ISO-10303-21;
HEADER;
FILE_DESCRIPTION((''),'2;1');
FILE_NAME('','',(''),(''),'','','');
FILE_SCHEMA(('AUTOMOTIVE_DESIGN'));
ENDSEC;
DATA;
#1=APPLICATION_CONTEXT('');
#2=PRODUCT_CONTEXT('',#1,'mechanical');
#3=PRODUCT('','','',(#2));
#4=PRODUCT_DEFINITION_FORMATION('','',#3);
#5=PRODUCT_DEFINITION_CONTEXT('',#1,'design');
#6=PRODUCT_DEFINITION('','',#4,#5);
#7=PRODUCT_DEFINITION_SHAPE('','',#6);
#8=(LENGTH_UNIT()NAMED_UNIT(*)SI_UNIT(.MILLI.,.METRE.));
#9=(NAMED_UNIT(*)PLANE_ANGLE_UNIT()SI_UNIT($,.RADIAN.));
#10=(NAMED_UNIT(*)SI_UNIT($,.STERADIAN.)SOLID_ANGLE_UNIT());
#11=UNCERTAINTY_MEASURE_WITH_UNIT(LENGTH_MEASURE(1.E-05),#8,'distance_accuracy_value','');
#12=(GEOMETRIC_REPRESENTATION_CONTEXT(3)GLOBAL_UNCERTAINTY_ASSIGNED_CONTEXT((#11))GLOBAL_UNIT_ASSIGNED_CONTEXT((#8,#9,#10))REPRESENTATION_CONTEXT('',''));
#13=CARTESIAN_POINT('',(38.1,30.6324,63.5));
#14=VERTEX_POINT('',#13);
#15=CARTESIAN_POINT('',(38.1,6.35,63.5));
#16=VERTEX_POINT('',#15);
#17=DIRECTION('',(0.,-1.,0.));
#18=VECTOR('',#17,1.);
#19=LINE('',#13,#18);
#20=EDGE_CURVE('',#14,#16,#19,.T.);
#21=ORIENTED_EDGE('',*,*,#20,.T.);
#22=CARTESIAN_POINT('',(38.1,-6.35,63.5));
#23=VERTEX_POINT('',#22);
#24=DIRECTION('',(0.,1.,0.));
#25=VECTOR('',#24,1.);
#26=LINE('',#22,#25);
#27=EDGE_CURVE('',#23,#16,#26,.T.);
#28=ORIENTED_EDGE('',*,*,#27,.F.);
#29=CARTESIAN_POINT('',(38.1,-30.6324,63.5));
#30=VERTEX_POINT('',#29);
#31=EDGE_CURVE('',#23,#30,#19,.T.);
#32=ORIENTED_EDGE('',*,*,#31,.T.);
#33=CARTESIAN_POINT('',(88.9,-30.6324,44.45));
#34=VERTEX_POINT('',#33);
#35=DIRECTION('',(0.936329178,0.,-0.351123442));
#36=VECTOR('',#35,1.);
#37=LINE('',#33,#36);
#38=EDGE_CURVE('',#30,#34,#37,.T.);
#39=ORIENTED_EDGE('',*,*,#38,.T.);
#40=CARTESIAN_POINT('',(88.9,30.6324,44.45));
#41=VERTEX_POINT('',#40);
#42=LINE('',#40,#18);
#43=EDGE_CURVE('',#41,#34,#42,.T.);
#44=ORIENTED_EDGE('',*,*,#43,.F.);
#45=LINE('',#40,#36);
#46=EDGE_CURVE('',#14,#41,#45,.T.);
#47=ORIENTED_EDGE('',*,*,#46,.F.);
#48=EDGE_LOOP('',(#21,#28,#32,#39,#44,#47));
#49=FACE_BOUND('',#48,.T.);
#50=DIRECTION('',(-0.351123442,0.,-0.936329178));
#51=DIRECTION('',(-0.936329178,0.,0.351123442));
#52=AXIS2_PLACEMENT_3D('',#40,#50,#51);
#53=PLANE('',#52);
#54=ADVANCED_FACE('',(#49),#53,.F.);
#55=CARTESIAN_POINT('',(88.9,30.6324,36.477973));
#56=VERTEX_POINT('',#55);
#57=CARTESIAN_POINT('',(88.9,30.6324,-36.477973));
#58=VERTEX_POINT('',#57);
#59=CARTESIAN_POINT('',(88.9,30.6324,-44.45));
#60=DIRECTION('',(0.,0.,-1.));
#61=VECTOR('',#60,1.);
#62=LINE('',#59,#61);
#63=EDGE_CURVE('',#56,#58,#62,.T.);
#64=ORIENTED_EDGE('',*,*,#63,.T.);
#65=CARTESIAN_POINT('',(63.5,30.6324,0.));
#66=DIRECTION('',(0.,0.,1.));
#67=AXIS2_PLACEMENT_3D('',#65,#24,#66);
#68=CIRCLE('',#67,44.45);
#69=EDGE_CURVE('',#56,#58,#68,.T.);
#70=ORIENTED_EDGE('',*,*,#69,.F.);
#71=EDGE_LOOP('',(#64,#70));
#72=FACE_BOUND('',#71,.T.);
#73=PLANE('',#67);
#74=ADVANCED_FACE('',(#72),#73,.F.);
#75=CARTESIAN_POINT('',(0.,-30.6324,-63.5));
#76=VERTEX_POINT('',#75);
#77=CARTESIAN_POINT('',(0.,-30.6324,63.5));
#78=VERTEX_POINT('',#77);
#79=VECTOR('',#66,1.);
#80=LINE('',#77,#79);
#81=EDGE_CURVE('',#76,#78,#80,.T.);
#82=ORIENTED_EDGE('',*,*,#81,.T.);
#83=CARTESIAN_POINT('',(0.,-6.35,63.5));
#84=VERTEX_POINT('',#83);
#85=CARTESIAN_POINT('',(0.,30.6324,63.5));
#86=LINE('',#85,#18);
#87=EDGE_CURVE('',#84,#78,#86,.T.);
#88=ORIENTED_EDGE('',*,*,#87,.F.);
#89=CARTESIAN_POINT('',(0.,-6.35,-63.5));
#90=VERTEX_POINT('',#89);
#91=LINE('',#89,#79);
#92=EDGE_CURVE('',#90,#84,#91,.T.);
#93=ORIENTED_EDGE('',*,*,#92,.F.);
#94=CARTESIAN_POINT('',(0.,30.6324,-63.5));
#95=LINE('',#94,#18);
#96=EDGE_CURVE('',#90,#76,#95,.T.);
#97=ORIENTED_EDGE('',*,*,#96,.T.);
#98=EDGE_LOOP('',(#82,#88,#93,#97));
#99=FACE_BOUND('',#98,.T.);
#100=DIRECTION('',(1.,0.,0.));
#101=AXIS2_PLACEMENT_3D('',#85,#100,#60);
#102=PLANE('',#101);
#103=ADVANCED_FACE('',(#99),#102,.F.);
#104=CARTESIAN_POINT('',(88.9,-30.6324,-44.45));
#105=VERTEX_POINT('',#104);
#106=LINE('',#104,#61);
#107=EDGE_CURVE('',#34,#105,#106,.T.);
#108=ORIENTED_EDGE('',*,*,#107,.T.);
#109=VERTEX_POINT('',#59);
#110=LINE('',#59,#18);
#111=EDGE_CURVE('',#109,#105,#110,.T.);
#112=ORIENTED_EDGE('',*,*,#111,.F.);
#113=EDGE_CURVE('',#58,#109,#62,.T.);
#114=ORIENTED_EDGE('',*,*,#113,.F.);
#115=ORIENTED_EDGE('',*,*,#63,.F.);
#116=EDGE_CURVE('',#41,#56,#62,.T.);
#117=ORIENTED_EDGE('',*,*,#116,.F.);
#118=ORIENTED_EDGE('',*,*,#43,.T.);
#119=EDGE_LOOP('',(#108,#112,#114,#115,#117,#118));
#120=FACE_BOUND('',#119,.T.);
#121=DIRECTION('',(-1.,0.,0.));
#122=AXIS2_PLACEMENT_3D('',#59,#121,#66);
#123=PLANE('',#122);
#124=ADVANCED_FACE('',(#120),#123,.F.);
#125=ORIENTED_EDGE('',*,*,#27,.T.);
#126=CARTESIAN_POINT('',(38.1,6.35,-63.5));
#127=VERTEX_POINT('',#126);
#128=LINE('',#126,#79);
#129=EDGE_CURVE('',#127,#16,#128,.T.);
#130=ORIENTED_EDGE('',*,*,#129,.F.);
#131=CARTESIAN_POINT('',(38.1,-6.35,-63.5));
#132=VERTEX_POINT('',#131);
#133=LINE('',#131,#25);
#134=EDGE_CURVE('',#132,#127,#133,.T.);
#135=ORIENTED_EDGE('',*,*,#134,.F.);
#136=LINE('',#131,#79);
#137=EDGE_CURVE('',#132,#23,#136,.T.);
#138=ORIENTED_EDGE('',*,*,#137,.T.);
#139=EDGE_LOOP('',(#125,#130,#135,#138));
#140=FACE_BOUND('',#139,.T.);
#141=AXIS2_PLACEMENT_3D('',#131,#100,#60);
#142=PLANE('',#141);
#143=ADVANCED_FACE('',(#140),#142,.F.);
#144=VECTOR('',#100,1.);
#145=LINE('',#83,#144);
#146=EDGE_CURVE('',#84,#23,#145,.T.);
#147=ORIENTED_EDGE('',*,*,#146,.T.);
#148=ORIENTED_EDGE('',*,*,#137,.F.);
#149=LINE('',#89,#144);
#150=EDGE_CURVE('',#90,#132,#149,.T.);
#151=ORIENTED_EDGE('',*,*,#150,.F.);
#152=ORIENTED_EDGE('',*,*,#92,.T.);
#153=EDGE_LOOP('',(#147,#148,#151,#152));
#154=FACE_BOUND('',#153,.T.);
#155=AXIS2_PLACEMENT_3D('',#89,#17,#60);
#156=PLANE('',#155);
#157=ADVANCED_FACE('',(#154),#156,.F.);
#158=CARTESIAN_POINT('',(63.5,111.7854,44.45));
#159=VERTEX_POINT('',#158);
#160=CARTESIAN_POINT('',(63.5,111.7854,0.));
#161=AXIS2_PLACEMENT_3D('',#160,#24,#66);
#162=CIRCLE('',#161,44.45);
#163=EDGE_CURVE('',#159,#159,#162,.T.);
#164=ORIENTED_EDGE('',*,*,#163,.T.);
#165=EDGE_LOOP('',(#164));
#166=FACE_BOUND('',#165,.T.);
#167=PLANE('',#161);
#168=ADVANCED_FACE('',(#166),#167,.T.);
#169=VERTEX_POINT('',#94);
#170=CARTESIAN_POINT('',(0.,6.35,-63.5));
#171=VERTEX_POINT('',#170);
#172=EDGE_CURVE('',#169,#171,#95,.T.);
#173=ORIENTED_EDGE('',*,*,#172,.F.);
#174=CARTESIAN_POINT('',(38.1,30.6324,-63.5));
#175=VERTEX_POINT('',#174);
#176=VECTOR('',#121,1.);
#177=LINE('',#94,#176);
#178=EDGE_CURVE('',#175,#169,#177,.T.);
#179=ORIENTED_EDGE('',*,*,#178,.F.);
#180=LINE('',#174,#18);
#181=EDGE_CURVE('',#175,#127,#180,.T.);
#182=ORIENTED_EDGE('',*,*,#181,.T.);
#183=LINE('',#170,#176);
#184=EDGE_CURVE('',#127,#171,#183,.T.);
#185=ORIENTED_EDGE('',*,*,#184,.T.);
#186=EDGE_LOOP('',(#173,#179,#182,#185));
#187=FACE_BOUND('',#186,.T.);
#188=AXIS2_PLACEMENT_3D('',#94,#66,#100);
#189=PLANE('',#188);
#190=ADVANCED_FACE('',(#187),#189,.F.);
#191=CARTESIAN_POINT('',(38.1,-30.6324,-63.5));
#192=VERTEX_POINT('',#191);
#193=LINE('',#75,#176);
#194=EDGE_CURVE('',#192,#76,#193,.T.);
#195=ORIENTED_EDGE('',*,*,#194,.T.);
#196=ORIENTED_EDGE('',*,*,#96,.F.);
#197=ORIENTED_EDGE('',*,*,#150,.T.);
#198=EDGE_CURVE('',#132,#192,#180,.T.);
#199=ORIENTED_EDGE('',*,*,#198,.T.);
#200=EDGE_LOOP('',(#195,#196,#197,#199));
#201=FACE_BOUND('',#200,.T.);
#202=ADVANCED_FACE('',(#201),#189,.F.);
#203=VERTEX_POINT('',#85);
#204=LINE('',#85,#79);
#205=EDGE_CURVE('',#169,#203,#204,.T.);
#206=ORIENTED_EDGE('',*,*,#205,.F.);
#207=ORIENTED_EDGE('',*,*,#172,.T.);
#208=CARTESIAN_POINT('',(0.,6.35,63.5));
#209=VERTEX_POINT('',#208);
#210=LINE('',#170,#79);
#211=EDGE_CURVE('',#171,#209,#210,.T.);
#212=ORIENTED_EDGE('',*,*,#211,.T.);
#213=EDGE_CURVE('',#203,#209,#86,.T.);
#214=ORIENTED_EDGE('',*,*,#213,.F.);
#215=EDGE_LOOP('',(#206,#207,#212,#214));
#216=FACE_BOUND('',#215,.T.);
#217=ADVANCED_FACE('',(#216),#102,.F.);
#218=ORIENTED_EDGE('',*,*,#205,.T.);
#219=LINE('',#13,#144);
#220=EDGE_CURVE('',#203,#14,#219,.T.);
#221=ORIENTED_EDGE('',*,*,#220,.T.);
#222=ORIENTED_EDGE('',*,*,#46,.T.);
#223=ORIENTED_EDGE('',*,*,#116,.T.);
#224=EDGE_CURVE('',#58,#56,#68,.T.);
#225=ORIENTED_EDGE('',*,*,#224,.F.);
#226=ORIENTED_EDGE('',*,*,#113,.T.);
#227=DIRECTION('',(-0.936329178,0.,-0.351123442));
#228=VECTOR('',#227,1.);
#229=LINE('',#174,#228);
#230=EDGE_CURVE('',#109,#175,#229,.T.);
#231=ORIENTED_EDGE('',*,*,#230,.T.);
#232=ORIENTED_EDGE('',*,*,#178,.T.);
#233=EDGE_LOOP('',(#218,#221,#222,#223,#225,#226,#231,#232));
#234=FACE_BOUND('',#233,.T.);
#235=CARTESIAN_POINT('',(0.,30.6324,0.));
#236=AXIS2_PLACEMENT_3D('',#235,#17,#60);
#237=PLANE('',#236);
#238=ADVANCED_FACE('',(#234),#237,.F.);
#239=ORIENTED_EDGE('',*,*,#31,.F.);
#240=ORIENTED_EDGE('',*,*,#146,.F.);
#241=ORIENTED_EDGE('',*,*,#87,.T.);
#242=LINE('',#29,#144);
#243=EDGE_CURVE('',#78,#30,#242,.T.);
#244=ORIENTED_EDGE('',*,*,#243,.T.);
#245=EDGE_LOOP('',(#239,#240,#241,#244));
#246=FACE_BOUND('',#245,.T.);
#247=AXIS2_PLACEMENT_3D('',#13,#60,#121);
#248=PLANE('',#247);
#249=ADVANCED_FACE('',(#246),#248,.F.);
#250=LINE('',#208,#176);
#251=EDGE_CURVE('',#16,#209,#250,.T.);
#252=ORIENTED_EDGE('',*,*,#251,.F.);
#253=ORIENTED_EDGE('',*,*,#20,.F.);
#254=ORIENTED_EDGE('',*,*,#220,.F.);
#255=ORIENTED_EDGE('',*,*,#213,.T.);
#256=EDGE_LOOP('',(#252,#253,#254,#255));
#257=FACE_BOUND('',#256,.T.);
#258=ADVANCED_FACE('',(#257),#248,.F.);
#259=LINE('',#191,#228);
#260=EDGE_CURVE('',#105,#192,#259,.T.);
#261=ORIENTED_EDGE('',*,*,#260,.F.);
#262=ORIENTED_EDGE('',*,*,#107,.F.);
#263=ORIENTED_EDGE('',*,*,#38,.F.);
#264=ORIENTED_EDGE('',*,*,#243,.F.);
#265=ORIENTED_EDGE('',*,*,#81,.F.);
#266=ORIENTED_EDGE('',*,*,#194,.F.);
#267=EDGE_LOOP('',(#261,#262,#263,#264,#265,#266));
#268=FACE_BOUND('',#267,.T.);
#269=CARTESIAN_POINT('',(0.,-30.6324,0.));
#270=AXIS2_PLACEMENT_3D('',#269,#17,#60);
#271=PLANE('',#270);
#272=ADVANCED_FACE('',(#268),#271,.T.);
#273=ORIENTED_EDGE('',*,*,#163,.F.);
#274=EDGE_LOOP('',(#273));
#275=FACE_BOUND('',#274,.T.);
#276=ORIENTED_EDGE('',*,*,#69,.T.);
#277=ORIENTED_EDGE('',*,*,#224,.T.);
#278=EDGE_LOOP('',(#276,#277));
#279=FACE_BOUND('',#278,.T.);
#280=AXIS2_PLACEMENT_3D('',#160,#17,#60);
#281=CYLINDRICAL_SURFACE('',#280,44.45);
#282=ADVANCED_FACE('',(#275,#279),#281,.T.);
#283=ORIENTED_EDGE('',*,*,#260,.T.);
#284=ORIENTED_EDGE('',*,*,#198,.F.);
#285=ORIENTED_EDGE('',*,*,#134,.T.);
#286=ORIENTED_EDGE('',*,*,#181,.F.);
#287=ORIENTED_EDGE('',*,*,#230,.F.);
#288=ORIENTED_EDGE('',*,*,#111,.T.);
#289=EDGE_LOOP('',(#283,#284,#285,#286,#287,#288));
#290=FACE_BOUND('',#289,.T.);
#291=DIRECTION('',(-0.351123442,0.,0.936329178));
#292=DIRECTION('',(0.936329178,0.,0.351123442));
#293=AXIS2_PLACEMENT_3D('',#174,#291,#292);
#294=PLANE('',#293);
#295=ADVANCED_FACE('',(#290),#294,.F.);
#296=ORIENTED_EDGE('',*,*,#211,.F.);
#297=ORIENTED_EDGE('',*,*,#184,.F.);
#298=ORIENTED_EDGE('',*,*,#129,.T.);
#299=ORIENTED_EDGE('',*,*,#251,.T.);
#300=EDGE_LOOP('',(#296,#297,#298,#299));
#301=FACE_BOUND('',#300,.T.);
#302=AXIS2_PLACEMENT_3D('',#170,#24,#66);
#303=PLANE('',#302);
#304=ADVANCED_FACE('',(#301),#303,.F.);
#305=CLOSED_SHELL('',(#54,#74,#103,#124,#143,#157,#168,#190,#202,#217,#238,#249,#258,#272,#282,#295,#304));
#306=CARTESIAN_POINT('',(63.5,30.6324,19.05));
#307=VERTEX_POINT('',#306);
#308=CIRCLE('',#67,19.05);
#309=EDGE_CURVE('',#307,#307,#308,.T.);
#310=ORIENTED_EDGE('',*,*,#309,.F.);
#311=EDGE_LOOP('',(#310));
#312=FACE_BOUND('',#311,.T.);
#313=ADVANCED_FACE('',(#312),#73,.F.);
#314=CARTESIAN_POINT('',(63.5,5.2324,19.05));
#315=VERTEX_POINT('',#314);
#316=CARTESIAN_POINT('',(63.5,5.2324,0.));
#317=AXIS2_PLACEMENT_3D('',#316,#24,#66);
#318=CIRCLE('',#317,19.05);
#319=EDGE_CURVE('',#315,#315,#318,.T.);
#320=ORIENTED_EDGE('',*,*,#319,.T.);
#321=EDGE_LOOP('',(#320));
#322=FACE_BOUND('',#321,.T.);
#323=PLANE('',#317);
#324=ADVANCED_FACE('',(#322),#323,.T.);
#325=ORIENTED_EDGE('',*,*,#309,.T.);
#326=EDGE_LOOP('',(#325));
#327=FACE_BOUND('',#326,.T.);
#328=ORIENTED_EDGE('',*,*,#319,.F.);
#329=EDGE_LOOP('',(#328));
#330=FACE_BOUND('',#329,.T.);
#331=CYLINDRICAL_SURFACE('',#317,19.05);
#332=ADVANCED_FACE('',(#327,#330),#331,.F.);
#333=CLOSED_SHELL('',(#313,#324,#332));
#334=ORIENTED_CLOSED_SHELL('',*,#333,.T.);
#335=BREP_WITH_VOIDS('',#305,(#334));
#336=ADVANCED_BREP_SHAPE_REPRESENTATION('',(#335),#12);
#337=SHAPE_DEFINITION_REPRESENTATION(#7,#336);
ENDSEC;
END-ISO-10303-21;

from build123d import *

# Parameters (mm, degrees)
BASE_APPROXIMATE_DEPTH       = 30.6324
BEAM_CHANNEL_CROSS_SECTION_W = 38.1
BEAM_CHANNEL_CROSS_SECTION_H = 12.7
BEAM_CHANNEL_DEPTH           = 64.5
BEAM_CHANNEL_DEPTH_BACK      = 64.5
HOLE_CROSS_SECTION_R         = 19.05
HOLE_DEPTH                   = 25.4
ROUND_PART_CROSS_SECTION_R   = 44.45
ROUND_PART_DEPTH             = 81.153


with BuildPart() as part:
    # Base → Base Approximate (new body, symmetric)
    with BuildSketch(Plane(origin=(0, 0, 0), x_dir=(1, 0, 0), z_dir=(0, 1, 0))):
        Polygon((0, -63.5), (0, 63.5), (38.1, 63.5), (88.9, 44.45), (88.9, -44.45), (38.1, -63.5), align=None)
    extrude(amount=BASE_APPROXIMATE_DEPTH, both=True)

    # Beam Channel Cross Section → Beam Channel (cut, two sides)
    with BuildSketch(Plane.XY) as beam_channel_sk:
        with Locations((19.05, 0)):
            Rectangle(BEAM_CHANNEL_CROSS_SECTION_W, BEAM_CHANNEL_CROSS_SECTION_H)
    extrude(amount=BEAM_CHANNEL_DEPTH, mode=Mode.SUBTRACT)
    extrude(beam_channel_sk.sketch, amount=-BEAM_CHANNEL_DEPTH_BACK, mode=Mode.SUBTRACT)

    # Hole Cross Section → Hole (cut)
    with BuildSketch(Plane(origin=(0, 30.6324, 0), x_dir=(1, 0, 0), z_dir=(0, 1, 0))):
        with Locations((63.5, 0)):
            Circle(HOLE_CROSS_SECTION_R)
    extrude(amount=-HOLE_DEPTH, mode=Mode.SUBTRACT)

    # Round Part Cross Section → Round Part (add)
    with BuildSketch(Plane(origin=(0, 30.6324, 0), x_dir=(1, 0, 0), z_dir=(0, 1, 0))):
        with Locations((63.5, 0)):
            Circle(ROUND_PART_CROSS_SECTION_R)
    extrude(amount=ROUND_PART_DEPTH)


solid = part.part
